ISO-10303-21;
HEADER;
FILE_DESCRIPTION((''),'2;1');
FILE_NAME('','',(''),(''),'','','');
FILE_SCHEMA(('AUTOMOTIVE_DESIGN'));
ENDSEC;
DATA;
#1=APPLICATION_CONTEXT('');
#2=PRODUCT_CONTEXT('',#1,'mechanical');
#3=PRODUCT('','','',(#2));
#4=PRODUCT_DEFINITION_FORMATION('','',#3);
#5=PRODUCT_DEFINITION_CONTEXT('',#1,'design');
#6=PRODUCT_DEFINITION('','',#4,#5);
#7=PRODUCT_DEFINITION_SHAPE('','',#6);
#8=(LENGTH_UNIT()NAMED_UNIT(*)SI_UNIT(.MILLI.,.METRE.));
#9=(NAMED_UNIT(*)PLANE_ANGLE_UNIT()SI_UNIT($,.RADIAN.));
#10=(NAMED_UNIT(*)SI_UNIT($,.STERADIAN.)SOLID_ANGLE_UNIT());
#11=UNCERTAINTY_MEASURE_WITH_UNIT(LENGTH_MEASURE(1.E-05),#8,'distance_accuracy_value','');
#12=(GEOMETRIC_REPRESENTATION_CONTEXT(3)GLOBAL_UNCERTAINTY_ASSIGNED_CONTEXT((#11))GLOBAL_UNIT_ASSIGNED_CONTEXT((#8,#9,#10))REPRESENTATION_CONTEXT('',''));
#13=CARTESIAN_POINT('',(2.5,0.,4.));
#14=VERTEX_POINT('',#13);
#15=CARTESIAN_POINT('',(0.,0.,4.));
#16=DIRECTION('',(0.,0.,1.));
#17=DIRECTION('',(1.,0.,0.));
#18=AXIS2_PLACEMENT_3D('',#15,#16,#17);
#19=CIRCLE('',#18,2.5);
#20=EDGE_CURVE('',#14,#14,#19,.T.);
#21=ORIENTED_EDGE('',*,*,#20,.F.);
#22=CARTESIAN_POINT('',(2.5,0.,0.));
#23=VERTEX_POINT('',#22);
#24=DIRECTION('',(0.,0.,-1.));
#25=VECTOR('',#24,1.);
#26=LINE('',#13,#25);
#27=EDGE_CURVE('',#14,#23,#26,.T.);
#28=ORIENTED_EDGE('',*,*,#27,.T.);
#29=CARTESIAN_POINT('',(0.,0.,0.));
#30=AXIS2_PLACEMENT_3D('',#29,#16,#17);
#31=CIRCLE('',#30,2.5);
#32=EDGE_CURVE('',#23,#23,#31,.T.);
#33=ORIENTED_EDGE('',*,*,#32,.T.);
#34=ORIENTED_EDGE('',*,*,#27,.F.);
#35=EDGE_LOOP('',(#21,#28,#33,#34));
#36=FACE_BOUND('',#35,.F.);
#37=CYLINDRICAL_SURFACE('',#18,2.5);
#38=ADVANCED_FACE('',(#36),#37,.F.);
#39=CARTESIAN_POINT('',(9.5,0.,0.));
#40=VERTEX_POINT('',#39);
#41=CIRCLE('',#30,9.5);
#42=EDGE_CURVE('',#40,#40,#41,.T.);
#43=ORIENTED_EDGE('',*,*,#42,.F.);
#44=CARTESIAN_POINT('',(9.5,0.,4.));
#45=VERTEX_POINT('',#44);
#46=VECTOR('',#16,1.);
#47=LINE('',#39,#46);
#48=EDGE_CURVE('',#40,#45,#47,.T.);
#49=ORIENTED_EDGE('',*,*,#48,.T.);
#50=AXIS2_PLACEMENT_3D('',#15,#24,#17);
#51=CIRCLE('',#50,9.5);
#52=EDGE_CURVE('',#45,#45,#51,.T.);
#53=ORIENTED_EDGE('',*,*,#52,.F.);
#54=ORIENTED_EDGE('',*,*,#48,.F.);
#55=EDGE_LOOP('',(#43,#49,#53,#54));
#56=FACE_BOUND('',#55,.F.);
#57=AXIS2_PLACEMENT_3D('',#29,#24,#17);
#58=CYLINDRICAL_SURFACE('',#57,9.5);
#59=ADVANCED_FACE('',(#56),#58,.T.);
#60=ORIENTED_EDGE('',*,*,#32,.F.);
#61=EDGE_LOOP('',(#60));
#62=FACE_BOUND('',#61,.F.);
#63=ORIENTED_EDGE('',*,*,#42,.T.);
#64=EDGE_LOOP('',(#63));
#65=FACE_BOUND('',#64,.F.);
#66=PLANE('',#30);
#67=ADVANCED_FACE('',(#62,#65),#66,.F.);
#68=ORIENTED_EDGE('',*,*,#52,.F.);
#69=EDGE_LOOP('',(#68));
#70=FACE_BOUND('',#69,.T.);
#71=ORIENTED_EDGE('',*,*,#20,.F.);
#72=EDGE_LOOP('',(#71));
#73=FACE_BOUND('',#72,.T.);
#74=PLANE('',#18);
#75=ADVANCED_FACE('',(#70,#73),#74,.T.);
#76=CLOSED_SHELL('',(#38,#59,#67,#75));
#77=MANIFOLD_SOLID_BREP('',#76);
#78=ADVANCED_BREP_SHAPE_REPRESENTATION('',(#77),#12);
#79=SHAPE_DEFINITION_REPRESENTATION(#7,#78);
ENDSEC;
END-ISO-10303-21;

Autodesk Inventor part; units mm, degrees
ref_plane "YZ Plane" through (0, 0, 0) normal (1, 0, 0) x (0, 1, 0)
ref_plane "XZ Plane" through (0, 0, 0) normal (0, 1, 0) x (-1, 0, 0)
ref_plane "XY Plane" through (0, 0, 0) normal (0, 0, 1) x (1, 0, 0)
sketch "Sketch1" plane through (0, 0, 0) normal (0, 0, 1) x (1, 0, 0)
  line L0 (-5, 8.5) -> (5, 8.5) projected
  circle A0 centre (0, 0) radius 8.5
  circle A1 centre (0, 0) radius 9.5
  dimension "d0" = 19
extrude "Extrusion1" add sketch "Sketch1" along normal blind 4 contours A1 L0 | A0 | L0 A1
sketch "Sketch2" plane through (0, 0, 4) normal (0, 0, 1) x (1, 0, 0)
  circle A0 centre (0, 0) radius 2.5
  dimension "d3" = 5
extrude "Extrusion2" cut sketch "Sketch2" against normal blind 4
properties part number "counter_wheel"
